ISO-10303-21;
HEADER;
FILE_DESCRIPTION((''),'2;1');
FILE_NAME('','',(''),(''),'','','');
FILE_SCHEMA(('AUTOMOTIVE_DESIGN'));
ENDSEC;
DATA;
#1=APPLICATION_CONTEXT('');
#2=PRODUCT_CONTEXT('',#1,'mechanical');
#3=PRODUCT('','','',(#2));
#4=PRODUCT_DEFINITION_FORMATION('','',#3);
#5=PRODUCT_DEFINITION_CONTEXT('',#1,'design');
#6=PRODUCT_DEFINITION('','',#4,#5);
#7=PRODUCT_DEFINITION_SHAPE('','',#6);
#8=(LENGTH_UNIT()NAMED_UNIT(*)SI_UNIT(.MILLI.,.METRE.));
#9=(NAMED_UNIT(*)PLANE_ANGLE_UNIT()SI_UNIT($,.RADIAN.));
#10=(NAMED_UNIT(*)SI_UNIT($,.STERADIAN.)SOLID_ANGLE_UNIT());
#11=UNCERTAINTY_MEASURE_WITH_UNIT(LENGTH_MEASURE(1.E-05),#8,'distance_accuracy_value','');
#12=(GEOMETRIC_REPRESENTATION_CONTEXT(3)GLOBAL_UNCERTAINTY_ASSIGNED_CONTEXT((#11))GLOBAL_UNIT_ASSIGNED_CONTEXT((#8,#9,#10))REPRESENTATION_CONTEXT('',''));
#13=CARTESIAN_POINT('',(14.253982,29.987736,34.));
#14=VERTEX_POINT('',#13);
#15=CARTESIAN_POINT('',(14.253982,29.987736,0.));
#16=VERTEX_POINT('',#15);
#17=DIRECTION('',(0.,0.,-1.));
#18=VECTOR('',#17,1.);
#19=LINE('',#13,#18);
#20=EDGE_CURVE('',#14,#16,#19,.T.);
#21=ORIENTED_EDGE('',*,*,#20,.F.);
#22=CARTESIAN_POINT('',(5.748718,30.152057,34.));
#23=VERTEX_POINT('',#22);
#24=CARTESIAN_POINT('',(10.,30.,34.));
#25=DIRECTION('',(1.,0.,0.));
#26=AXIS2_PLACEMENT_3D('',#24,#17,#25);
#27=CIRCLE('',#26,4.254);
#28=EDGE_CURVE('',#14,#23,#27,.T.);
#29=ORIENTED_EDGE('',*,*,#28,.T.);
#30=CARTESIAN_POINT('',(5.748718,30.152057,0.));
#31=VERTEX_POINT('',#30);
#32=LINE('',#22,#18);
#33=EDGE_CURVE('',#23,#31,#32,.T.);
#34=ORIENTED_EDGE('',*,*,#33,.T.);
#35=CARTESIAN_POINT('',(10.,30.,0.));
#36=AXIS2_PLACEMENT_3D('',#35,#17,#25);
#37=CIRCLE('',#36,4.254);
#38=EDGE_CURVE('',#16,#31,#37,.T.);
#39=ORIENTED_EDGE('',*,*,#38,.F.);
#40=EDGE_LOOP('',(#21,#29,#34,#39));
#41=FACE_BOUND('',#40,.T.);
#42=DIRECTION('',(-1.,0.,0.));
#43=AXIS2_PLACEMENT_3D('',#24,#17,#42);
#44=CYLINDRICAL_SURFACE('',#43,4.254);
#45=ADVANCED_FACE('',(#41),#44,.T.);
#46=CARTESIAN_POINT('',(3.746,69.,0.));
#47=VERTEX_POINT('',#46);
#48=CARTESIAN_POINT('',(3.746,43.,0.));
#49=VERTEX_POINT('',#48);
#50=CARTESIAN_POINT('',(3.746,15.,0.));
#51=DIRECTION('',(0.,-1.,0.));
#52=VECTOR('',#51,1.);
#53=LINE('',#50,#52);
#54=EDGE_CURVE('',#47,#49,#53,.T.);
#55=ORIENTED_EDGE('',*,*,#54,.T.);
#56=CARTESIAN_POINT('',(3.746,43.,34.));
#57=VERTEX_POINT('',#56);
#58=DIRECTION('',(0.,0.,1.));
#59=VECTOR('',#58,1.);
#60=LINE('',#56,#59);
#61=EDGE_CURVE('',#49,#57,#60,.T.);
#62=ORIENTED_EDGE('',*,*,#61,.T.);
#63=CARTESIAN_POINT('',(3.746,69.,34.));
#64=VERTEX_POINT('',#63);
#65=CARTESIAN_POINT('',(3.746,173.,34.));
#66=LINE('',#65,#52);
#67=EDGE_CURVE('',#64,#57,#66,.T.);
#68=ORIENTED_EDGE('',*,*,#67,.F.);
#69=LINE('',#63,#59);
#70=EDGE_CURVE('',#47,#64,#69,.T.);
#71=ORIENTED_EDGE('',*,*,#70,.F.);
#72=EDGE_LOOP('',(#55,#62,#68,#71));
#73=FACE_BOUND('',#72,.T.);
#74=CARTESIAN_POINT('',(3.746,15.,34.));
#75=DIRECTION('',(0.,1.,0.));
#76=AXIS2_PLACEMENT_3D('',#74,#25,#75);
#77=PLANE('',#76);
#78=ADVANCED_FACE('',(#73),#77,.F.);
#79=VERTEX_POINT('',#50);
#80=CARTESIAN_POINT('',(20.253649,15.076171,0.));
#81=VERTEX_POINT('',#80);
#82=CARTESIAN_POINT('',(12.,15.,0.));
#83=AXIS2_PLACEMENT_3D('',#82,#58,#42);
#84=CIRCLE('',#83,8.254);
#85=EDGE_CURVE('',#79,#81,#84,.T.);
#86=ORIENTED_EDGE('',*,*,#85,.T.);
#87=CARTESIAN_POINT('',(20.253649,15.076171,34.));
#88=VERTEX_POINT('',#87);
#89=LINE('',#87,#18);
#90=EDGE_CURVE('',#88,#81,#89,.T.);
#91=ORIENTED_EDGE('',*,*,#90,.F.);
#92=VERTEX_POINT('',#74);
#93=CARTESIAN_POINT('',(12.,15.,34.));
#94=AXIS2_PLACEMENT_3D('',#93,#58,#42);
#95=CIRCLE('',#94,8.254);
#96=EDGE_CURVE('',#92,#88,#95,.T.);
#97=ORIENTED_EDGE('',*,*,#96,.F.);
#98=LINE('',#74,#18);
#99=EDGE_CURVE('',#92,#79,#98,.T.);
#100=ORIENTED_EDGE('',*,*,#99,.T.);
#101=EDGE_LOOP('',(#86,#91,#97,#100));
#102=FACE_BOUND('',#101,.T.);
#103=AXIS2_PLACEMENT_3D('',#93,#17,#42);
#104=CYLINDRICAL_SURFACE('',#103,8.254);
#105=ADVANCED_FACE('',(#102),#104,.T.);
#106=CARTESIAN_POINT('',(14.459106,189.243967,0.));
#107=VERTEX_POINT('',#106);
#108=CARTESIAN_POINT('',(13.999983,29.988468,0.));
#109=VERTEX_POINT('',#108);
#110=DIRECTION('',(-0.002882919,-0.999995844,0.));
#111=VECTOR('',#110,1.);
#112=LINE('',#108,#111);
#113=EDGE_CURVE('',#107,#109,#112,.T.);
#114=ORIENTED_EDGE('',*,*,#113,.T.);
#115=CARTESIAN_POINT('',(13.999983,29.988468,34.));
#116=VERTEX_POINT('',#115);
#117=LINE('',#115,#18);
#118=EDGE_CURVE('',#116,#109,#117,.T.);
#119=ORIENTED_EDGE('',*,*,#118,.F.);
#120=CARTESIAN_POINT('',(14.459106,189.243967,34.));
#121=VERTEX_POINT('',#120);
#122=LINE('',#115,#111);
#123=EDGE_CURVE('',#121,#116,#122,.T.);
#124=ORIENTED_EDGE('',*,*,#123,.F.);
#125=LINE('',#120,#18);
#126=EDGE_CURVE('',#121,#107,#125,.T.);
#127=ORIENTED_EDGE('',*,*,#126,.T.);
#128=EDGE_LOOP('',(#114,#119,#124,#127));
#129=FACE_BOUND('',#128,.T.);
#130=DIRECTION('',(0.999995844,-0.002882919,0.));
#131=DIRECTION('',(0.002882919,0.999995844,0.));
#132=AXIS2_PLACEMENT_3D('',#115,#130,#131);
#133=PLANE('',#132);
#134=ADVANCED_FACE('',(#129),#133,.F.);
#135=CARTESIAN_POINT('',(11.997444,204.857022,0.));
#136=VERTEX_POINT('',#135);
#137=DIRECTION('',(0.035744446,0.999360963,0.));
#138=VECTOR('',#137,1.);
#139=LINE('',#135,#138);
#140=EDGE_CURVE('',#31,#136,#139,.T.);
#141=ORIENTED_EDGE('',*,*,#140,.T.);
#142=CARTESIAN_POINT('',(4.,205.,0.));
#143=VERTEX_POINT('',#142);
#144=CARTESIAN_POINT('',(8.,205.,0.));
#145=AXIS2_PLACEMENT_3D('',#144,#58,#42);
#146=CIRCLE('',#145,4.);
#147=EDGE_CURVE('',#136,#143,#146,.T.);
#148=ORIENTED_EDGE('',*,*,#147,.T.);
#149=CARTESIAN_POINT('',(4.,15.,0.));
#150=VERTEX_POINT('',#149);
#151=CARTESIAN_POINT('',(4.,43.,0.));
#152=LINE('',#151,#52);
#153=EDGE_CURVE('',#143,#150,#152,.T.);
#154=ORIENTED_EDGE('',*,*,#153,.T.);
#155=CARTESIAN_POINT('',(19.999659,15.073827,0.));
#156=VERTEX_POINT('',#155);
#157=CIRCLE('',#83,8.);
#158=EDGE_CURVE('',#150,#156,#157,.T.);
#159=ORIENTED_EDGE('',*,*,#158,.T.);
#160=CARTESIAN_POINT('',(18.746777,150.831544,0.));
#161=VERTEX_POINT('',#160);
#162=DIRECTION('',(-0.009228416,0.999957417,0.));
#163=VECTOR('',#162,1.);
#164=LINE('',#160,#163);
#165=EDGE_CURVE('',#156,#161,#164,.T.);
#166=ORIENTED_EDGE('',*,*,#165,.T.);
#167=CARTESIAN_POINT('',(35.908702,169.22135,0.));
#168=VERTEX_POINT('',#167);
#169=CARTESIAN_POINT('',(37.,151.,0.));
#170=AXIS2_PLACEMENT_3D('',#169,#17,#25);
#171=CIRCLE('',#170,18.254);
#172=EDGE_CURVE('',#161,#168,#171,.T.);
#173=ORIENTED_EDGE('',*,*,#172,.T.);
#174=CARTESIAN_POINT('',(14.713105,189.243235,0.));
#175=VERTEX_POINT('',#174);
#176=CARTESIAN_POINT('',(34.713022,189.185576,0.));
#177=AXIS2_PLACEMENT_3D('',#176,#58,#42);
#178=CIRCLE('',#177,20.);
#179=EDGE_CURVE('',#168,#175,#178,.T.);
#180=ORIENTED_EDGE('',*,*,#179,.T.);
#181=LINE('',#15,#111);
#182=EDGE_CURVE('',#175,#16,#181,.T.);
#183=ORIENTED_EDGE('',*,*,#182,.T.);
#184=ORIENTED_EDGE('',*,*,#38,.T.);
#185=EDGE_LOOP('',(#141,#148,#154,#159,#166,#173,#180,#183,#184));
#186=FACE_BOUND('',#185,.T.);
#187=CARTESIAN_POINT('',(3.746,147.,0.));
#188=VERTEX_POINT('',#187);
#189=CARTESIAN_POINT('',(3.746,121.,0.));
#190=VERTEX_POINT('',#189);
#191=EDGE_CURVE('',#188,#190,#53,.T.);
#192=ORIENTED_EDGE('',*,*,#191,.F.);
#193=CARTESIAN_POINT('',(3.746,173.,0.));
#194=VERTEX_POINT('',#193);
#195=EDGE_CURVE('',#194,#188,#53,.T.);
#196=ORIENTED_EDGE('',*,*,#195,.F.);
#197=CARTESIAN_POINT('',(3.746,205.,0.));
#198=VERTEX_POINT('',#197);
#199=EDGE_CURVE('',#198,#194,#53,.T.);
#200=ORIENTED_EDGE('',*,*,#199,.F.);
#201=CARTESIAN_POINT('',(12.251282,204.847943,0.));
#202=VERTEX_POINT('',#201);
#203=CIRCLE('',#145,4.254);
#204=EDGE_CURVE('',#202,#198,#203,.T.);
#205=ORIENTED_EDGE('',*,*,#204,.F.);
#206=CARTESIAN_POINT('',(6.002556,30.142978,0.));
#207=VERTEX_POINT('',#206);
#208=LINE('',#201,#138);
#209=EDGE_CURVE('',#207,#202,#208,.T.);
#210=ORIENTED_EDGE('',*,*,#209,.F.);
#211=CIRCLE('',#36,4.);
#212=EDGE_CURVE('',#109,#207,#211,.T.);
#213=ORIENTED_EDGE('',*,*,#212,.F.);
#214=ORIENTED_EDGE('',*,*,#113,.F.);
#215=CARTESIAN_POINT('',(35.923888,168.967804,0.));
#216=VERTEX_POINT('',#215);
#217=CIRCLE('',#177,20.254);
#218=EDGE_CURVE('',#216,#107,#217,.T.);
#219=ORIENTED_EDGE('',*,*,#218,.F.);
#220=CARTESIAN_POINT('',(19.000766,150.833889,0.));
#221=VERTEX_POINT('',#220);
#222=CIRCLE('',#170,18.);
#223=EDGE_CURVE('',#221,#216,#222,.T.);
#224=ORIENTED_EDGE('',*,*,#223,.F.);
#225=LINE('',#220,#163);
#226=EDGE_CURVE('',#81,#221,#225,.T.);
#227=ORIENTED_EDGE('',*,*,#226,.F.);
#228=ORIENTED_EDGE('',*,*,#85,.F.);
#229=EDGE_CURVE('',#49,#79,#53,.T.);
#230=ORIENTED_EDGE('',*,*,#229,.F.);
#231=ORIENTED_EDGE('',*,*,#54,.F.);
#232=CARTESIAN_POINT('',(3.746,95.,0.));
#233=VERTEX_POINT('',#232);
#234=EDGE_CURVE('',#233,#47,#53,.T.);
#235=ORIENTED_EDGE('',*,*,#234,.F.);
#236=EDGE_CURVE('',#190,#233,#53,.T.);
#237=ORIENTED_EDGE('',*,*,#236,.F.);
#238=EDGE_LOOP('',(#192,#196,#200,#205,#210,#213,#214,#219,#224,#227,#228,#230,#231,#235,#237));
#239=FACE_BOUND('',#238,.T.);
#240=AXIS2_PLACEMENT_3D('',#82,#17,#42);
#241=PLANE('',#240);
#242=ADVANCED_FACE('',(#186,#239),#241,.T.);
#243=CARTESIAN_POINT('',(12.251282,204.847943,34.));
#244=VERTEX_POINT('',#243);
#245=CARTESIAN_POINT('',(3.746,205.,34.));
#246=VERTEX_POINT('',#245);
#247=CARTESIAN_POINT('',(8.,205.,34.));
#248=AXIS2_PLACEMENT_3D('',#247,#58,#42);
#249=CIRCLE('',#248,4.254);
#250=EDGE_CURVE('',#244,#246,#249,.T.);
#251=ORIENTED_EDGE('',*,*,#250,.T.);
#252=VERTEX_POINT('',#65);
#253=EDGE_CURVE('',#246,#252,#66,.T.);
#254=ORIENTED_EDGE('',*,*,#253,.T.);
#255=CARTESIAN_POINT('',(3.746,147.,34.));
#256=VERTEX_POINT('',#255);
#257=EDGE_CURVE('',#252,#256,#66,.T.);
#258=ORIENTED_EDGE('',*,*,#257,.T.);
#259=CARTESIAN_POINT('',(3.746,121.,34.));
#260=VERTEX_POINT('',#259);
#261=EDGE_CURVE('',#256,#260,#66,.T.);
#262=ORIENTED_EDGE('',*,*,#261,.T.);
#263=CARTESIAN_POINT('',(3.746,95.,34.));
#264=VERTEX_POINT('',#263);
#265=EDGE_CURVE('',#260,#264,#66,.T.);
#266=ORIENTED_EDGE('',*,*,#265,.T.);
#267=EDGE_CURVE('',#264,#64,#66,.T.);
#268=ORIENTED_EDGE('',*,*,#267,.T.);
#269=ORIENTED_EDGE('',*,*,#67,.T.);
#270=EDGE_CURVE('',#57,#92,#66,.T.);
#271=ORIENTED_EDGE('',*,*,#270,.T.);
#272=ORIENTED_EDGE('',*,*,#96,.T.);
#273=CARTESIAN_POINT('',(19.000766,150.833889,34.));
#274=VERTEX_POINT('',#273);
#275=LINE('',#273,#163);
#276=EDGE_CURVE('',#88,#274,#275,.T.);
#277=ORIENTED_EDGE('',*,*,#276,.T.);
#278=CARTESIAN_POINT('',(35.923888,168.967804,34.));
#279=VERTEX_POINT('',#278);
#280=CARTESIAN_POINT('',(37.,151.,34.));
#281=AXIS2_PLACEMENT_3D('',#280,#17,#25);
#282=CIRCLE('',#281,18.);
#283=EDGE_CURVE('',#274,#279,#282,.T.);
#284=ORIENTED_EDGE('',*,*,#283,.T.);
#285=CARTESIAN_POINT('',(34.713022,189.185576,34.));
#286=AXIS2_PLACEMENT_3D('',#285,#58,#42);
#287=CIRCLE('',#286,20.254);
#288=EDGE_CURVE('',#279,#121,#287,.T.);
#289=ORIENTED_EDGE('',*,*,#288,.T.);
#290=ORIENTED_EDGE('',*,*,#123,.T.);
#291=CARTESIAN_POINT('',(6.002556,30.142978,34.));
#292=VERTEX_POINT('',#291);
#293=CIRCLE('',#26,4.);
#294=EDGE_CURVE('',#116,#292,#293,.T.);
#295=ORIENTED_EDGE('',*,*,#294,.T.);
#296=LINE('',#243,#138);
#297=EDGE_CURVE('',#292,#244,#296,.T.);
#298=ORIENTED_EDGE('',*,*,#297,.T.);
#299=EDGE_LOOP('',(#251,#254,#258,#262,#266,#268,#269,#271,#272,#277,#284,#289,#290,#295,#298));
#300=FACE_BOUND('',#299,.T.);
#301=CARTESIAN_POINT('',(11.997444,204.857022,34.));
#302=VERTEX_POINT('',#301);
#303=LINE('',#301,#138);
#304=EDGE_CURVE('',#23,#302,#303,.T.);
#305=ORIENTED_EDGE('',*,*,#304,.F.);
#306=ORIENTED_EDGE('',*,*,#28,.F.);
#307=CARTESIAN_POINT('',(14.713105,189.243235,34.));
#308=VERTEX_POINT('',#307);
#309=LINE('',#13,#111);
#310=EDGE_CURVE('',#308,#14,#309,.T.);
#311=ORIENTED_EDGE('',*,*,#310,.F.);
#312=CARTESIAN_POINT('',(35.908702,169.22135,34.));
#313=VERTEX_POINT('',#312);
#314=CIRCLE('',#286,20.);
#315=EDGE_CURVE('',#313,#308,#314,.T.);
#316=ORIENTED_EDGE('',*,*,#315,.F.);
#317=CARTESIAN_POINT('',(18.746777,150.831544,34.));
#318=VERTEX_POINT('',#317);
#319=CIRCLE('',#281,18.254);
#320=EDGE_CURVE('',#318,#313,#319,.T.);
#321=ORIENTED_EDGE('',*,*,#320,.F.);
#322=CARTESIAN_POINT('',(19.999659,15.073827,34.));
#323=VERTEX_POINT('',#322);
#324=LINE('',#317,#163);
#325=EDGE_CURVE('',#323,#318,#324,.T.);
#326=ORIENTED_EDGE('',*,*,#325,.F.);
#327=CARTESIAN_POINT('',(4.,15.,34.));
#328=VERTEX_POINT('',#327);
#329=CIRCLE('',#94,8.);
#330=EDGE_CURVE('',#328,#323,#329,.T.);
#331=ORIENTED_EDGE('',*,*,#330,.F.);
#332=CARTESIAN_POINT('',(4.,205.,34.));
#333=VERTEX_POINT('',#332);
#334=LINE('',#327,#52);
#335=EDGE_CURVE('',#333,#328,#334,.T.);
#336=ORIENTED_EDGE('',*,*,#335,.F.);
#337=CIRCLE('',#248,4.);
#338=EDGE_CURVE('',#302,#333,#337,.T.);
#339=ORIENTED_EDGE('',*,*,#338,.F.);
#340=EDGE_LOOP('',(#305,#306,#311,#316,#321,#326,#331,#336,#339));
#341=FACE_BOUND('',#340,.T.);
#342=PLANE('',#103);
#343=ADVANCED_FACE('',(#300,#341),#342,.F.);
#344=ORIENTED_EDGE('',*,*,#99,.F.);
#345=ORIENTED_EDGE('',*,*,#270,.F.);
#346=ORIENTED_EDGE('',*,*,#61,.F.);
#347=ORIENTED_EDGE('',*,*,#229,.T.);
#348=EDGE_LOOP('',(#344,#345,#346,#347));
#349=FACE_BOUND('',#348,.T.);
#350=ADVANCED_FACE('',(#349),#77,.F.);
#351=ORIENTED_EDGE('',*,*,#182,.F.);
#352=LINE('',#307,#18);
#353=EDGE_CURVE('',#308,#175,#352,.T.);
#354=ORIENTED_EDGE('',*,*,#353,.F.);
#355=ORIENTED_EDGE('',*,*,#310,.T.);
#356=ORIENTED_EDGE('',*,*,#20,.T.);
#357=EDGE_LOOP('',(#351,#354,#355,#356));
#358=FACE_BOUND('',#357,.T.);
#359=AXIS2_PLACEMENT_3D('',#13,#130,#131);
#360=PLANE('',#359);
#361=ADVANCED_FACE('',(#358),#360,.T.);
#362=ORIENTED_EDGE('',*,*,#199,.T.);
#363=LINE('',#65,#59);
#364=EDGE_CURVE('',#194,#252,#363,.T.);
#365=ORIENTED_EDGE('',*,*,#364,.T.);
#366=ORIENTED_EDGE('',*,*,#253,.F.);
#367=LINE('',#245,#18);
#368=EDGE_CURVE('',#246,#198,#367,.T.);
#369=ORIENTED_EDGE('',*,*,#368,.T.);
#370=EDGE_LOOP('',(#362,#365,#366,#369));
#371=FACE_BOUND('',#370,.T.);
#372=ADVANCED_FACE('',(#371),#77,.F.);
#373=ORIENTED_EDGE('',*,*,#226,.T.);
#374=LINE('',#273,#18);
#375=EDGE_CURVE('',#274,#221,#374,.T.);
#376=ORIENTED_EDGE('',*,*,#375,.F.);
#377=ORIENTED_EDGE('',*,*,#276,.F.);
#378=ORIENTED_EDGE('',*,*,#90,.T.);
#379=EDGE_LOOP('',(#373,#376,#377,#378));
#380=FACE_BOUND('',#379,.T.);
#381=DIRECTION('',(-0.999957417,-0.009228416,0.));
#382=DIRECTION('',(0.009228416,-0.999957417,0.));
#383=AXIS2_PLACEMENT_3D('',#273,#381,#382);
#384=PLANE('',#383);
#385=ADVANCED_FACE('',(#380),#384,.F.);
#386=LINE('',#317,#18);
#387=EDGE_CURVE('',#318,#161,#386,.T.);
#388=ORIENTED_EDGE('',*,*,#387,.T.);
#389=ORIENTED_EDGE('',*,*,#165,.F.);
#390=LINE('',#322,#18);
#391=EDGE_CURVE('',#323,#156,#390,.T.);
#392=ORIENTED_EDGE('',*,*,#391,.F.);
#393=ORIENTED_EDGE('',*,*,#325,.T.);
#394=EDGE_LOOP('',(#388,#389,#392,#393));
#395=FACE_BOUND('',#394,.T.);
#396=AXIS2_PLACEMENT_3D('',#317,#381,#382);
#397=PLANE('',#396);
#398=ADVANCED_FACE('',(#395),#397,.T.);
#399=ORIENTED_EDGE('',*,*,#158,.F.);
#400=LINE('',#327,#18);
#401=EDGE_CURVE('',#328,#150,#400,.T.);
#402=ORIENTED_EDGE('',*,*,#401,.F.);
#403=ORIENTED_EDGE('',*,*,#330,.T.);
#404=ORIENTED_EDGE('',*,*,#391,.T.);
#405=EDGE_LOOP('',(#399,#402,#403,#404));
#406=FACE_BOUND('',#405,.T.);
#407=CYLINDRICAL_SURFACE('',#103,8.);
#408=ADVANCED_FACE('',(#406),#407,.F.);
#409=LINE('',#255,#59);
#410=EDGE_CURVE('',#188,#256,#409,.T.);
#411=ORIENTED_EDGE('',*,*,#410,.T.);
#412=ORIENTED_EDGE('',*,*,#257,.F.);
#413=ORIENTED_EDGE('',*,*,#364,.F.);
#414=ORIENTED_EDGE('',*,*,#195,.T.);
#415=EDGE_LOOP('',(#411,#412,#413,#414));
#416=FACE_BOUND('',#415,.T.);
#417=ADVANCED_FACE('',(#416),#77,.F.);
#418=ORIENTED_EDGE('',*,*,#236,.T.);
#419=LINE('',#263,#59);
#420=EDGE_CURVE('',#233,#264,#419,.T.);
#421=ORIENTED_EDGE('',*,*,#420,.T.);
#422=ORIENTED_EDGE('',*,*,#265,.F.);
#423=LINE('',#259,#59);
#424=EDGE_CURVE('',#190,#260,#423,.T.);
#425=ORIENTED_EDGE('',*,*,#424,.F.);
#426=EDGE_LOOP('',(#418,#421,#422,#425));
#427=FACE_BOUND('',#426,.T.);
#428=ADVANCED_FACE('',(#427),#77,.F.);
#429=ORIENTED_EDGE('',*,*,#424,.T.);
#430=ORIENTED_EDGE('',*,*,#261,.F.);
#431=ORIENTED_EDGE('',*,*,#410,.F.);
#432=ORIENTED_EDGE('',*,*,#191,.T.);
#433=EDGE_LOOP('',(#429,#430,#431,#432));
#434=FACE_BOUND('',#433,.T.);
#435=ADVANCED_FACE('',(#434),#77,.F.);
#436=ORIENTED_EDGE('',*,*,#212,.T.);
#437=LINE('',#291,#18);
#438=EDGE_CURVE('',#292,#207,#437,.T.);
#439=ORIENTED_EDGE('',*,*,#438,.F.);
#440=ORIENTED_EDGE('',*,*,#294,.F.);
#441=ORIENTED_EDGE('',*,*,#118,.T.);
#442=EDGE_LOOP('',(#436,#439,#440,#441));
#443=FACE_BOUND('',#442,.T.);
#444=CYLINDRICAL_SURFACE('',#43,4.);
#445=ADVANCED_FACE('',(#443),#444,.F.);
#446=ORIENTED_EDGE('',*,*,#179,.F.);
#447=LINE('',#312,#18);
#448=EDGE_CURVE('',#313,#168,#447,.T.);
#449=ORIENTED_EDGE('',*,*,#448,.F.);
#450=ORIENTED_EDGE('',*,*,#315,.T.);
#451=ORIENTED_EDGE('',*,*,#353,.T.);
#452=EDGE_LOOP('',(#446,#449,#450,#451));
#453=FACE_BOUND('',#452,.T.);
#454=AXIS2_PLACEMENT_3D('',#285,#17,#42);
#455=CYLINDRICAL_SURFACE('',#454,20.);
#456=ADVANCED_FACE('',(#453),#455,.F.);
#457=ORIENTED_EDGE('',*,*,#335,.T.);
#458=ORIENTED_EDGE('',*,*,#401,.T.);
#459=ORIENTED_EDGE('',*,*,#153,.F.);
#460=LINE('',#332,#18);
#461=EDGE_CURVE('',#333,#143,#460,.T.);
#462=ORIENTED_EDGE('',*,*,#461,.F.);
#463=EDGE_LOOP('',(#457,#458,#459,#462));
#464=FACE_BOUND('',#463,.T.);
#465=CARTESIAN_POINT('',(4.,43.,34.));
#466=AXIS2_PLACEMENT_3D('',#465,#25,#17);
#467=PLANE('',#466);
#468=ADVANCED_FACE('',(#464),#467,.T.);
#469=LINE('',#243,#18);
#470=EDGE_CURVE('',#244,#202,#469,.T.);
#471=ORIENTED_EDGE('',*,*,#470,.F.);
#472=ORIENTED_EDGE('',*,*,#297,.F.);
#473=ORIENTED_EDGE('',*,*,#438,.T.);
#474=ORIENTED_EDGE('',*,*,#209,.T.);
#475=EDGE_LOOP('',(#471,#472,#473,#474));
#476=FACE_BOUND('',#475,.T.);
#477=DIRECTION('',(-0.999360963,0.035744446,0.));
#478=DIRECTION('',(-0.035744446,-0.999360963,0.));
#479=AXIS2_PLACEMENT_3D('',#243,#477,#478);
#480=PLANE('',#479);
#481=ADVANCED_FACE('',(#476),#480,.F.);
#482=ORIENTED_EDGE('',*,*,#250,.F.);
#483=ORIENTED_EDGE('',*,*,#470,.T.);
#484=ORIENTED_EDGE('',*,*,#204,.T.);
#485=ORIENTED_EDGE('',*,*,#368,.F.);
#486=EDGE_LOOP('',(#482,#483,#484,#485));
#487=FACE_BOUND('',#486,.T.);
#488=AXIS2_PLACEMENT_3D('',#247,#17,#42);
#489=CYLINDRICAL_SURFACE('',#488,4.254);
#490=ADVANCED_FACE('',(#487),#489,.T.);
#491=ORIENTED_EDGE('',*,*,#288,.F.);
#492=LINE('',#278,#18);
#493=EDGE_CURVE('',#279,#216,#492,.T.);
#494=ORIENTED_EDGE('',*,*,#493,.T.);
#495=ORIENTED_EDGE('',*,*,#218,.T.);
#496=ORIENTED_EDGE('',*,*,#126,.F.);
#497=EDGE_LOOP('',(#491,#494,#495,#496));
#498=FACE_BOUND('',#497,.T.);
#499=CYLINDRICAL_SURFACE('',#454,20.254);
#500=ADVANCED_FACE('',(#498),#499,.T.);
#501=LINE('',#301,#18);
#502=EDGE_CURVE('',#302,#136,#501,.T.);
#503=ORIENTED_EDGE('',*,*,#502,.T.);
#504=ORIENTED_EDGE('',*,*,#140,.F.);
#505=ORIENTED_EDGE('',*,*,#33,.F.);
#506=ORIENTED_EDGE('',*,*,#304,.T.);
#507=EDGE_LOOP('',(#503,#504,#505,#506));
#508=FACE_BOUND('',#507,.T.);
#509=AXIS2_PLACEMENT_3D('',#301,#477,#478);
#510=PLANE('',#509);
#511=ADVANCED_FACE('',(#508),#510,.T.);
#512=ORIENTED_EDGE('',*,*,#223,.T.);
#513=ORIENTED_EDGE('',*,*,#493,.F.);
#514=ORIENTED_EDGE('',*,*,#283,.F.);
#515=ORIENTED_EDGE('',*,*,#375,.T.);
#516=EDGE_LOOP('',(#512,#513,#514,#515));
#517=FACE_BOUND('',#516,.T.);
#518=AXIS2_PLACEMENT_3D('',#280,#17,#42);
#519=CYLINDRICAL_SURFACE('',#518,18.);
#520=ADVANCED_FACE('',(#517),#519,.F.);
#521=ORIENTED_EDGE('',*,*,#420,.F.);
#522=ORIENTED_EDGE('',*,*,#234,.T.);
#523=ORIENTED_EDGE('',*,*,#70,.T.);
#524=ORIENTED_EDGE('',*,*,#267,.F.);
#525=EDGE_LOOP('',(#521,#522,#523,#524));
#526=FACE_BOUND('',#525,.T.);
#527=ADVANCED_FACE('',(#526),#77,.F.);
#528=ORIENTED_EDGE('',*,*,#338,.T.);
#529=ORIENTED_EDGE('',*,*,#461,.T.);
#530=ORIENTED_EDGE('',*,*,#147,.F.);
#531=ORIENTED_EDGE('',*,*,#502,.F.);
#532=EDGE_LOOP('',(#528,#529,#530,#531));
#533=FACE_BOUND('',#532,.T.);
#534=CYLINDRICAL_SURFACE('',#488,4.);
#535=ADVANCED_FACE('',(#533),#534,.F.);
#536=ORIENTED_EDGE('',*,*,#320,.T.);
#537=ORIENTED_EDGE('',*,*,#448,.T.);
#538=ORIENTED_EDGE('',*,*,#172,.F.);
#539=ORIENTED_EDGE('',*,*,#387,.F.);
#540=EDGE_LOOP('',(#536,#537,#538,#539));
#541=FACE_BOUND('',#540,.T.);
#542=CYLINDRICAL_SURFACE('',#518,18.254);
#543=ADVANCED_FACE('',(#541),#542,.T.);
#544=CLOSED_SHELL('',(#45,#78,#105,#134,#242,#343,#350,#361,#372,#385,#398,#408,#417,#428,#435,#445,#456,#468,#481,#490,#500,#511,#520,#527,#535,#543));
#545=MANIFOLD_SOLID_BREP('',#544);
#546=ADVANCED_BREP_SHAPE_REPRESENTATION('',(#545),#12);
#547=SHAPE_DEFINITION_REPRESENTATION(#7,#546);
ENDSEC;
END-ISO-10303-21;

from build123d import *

# Parameters (mm, degrees)
BOSS_EXTRUDE1_DEPTH = 34


with BuildPart() as part:
    # Sketch1 → Boss-Extrude1 (new body)
    with BuildSketch(Plane.XY):
        with BuildLine():
            Line((3.746, 15), (3.746, 43))
            Line((3.746, 43), (3.746, 173))
            Line((3.746, 173), (3.746, 205))
            ThreePointArc((3.746, 205), (8.076040586, 209.25332033), (12.251281537, 204.847943126))
            Line((12.251281537, 204.847943126), (6.002556148, 30.142977785))
            ThreePointArc((6.002556148, 30.142977785), (9.922734835, 26.000746308), (13.999983378, 29.988468323))
            Line((13.999983378, 29.988468323), (14.459106014, 189.24396707))
            ThreePointArc((14.459106014, 189.24396707), (48.621297679, 203.909175827), (35.923887521, 168.967804038))
            ThreePointArc((35.923887521, 168.967804038), (23.840329441, 163.281004469), (19.000766489, 150.833888513))
            Line((19.000766489, 150.833888513), (20.253648522, 15.076171345))
            ThreePointArc((20.253648522, 15.076171345), (12.038086078, 6.74608787), (3.746, 15))
        make_face()
        with BuildLine():
            Line((4, 43), (4, 173))
            Line((4, 173), (4, 205))
            ThreePointArc((4, 205), (8.071500316, 208.999360912), (11.997443852, 204.857022215))
            Line((11.997443852, 204.857022215), (5.748718463, 30.152056874))
            ThreePointArc((5.748718463, 30.152056874), (9.917828497, 25.746793698), (14.253982322, 29.987736062))
            Line((14.253982322, 29.987736062), (14.713104958, 189.243234808))
            ThreePointArc((14.713104958, 189.243234808), (48.446877709, 203.724531103), (35.908702378, 169.221349717))
            ThreePointArc((35.908702378, 169.221349717), (23.654631868, 163.454303088), (18.746777305, 150.831544495))
            Line((18.746777305, 150.831544495), (19.999659338, 15.073827328))
            ThreePointArc((19.999659338, 15.073827328), (12.036914057, 7.000085166), (4, 15))
            Line((4, 15), (4, 43))
        make_face(mode=Mode.SUBTRACT)
    extrude(amount=BOSS_EXTRUDE1_DEPTH)


solid = part.part
